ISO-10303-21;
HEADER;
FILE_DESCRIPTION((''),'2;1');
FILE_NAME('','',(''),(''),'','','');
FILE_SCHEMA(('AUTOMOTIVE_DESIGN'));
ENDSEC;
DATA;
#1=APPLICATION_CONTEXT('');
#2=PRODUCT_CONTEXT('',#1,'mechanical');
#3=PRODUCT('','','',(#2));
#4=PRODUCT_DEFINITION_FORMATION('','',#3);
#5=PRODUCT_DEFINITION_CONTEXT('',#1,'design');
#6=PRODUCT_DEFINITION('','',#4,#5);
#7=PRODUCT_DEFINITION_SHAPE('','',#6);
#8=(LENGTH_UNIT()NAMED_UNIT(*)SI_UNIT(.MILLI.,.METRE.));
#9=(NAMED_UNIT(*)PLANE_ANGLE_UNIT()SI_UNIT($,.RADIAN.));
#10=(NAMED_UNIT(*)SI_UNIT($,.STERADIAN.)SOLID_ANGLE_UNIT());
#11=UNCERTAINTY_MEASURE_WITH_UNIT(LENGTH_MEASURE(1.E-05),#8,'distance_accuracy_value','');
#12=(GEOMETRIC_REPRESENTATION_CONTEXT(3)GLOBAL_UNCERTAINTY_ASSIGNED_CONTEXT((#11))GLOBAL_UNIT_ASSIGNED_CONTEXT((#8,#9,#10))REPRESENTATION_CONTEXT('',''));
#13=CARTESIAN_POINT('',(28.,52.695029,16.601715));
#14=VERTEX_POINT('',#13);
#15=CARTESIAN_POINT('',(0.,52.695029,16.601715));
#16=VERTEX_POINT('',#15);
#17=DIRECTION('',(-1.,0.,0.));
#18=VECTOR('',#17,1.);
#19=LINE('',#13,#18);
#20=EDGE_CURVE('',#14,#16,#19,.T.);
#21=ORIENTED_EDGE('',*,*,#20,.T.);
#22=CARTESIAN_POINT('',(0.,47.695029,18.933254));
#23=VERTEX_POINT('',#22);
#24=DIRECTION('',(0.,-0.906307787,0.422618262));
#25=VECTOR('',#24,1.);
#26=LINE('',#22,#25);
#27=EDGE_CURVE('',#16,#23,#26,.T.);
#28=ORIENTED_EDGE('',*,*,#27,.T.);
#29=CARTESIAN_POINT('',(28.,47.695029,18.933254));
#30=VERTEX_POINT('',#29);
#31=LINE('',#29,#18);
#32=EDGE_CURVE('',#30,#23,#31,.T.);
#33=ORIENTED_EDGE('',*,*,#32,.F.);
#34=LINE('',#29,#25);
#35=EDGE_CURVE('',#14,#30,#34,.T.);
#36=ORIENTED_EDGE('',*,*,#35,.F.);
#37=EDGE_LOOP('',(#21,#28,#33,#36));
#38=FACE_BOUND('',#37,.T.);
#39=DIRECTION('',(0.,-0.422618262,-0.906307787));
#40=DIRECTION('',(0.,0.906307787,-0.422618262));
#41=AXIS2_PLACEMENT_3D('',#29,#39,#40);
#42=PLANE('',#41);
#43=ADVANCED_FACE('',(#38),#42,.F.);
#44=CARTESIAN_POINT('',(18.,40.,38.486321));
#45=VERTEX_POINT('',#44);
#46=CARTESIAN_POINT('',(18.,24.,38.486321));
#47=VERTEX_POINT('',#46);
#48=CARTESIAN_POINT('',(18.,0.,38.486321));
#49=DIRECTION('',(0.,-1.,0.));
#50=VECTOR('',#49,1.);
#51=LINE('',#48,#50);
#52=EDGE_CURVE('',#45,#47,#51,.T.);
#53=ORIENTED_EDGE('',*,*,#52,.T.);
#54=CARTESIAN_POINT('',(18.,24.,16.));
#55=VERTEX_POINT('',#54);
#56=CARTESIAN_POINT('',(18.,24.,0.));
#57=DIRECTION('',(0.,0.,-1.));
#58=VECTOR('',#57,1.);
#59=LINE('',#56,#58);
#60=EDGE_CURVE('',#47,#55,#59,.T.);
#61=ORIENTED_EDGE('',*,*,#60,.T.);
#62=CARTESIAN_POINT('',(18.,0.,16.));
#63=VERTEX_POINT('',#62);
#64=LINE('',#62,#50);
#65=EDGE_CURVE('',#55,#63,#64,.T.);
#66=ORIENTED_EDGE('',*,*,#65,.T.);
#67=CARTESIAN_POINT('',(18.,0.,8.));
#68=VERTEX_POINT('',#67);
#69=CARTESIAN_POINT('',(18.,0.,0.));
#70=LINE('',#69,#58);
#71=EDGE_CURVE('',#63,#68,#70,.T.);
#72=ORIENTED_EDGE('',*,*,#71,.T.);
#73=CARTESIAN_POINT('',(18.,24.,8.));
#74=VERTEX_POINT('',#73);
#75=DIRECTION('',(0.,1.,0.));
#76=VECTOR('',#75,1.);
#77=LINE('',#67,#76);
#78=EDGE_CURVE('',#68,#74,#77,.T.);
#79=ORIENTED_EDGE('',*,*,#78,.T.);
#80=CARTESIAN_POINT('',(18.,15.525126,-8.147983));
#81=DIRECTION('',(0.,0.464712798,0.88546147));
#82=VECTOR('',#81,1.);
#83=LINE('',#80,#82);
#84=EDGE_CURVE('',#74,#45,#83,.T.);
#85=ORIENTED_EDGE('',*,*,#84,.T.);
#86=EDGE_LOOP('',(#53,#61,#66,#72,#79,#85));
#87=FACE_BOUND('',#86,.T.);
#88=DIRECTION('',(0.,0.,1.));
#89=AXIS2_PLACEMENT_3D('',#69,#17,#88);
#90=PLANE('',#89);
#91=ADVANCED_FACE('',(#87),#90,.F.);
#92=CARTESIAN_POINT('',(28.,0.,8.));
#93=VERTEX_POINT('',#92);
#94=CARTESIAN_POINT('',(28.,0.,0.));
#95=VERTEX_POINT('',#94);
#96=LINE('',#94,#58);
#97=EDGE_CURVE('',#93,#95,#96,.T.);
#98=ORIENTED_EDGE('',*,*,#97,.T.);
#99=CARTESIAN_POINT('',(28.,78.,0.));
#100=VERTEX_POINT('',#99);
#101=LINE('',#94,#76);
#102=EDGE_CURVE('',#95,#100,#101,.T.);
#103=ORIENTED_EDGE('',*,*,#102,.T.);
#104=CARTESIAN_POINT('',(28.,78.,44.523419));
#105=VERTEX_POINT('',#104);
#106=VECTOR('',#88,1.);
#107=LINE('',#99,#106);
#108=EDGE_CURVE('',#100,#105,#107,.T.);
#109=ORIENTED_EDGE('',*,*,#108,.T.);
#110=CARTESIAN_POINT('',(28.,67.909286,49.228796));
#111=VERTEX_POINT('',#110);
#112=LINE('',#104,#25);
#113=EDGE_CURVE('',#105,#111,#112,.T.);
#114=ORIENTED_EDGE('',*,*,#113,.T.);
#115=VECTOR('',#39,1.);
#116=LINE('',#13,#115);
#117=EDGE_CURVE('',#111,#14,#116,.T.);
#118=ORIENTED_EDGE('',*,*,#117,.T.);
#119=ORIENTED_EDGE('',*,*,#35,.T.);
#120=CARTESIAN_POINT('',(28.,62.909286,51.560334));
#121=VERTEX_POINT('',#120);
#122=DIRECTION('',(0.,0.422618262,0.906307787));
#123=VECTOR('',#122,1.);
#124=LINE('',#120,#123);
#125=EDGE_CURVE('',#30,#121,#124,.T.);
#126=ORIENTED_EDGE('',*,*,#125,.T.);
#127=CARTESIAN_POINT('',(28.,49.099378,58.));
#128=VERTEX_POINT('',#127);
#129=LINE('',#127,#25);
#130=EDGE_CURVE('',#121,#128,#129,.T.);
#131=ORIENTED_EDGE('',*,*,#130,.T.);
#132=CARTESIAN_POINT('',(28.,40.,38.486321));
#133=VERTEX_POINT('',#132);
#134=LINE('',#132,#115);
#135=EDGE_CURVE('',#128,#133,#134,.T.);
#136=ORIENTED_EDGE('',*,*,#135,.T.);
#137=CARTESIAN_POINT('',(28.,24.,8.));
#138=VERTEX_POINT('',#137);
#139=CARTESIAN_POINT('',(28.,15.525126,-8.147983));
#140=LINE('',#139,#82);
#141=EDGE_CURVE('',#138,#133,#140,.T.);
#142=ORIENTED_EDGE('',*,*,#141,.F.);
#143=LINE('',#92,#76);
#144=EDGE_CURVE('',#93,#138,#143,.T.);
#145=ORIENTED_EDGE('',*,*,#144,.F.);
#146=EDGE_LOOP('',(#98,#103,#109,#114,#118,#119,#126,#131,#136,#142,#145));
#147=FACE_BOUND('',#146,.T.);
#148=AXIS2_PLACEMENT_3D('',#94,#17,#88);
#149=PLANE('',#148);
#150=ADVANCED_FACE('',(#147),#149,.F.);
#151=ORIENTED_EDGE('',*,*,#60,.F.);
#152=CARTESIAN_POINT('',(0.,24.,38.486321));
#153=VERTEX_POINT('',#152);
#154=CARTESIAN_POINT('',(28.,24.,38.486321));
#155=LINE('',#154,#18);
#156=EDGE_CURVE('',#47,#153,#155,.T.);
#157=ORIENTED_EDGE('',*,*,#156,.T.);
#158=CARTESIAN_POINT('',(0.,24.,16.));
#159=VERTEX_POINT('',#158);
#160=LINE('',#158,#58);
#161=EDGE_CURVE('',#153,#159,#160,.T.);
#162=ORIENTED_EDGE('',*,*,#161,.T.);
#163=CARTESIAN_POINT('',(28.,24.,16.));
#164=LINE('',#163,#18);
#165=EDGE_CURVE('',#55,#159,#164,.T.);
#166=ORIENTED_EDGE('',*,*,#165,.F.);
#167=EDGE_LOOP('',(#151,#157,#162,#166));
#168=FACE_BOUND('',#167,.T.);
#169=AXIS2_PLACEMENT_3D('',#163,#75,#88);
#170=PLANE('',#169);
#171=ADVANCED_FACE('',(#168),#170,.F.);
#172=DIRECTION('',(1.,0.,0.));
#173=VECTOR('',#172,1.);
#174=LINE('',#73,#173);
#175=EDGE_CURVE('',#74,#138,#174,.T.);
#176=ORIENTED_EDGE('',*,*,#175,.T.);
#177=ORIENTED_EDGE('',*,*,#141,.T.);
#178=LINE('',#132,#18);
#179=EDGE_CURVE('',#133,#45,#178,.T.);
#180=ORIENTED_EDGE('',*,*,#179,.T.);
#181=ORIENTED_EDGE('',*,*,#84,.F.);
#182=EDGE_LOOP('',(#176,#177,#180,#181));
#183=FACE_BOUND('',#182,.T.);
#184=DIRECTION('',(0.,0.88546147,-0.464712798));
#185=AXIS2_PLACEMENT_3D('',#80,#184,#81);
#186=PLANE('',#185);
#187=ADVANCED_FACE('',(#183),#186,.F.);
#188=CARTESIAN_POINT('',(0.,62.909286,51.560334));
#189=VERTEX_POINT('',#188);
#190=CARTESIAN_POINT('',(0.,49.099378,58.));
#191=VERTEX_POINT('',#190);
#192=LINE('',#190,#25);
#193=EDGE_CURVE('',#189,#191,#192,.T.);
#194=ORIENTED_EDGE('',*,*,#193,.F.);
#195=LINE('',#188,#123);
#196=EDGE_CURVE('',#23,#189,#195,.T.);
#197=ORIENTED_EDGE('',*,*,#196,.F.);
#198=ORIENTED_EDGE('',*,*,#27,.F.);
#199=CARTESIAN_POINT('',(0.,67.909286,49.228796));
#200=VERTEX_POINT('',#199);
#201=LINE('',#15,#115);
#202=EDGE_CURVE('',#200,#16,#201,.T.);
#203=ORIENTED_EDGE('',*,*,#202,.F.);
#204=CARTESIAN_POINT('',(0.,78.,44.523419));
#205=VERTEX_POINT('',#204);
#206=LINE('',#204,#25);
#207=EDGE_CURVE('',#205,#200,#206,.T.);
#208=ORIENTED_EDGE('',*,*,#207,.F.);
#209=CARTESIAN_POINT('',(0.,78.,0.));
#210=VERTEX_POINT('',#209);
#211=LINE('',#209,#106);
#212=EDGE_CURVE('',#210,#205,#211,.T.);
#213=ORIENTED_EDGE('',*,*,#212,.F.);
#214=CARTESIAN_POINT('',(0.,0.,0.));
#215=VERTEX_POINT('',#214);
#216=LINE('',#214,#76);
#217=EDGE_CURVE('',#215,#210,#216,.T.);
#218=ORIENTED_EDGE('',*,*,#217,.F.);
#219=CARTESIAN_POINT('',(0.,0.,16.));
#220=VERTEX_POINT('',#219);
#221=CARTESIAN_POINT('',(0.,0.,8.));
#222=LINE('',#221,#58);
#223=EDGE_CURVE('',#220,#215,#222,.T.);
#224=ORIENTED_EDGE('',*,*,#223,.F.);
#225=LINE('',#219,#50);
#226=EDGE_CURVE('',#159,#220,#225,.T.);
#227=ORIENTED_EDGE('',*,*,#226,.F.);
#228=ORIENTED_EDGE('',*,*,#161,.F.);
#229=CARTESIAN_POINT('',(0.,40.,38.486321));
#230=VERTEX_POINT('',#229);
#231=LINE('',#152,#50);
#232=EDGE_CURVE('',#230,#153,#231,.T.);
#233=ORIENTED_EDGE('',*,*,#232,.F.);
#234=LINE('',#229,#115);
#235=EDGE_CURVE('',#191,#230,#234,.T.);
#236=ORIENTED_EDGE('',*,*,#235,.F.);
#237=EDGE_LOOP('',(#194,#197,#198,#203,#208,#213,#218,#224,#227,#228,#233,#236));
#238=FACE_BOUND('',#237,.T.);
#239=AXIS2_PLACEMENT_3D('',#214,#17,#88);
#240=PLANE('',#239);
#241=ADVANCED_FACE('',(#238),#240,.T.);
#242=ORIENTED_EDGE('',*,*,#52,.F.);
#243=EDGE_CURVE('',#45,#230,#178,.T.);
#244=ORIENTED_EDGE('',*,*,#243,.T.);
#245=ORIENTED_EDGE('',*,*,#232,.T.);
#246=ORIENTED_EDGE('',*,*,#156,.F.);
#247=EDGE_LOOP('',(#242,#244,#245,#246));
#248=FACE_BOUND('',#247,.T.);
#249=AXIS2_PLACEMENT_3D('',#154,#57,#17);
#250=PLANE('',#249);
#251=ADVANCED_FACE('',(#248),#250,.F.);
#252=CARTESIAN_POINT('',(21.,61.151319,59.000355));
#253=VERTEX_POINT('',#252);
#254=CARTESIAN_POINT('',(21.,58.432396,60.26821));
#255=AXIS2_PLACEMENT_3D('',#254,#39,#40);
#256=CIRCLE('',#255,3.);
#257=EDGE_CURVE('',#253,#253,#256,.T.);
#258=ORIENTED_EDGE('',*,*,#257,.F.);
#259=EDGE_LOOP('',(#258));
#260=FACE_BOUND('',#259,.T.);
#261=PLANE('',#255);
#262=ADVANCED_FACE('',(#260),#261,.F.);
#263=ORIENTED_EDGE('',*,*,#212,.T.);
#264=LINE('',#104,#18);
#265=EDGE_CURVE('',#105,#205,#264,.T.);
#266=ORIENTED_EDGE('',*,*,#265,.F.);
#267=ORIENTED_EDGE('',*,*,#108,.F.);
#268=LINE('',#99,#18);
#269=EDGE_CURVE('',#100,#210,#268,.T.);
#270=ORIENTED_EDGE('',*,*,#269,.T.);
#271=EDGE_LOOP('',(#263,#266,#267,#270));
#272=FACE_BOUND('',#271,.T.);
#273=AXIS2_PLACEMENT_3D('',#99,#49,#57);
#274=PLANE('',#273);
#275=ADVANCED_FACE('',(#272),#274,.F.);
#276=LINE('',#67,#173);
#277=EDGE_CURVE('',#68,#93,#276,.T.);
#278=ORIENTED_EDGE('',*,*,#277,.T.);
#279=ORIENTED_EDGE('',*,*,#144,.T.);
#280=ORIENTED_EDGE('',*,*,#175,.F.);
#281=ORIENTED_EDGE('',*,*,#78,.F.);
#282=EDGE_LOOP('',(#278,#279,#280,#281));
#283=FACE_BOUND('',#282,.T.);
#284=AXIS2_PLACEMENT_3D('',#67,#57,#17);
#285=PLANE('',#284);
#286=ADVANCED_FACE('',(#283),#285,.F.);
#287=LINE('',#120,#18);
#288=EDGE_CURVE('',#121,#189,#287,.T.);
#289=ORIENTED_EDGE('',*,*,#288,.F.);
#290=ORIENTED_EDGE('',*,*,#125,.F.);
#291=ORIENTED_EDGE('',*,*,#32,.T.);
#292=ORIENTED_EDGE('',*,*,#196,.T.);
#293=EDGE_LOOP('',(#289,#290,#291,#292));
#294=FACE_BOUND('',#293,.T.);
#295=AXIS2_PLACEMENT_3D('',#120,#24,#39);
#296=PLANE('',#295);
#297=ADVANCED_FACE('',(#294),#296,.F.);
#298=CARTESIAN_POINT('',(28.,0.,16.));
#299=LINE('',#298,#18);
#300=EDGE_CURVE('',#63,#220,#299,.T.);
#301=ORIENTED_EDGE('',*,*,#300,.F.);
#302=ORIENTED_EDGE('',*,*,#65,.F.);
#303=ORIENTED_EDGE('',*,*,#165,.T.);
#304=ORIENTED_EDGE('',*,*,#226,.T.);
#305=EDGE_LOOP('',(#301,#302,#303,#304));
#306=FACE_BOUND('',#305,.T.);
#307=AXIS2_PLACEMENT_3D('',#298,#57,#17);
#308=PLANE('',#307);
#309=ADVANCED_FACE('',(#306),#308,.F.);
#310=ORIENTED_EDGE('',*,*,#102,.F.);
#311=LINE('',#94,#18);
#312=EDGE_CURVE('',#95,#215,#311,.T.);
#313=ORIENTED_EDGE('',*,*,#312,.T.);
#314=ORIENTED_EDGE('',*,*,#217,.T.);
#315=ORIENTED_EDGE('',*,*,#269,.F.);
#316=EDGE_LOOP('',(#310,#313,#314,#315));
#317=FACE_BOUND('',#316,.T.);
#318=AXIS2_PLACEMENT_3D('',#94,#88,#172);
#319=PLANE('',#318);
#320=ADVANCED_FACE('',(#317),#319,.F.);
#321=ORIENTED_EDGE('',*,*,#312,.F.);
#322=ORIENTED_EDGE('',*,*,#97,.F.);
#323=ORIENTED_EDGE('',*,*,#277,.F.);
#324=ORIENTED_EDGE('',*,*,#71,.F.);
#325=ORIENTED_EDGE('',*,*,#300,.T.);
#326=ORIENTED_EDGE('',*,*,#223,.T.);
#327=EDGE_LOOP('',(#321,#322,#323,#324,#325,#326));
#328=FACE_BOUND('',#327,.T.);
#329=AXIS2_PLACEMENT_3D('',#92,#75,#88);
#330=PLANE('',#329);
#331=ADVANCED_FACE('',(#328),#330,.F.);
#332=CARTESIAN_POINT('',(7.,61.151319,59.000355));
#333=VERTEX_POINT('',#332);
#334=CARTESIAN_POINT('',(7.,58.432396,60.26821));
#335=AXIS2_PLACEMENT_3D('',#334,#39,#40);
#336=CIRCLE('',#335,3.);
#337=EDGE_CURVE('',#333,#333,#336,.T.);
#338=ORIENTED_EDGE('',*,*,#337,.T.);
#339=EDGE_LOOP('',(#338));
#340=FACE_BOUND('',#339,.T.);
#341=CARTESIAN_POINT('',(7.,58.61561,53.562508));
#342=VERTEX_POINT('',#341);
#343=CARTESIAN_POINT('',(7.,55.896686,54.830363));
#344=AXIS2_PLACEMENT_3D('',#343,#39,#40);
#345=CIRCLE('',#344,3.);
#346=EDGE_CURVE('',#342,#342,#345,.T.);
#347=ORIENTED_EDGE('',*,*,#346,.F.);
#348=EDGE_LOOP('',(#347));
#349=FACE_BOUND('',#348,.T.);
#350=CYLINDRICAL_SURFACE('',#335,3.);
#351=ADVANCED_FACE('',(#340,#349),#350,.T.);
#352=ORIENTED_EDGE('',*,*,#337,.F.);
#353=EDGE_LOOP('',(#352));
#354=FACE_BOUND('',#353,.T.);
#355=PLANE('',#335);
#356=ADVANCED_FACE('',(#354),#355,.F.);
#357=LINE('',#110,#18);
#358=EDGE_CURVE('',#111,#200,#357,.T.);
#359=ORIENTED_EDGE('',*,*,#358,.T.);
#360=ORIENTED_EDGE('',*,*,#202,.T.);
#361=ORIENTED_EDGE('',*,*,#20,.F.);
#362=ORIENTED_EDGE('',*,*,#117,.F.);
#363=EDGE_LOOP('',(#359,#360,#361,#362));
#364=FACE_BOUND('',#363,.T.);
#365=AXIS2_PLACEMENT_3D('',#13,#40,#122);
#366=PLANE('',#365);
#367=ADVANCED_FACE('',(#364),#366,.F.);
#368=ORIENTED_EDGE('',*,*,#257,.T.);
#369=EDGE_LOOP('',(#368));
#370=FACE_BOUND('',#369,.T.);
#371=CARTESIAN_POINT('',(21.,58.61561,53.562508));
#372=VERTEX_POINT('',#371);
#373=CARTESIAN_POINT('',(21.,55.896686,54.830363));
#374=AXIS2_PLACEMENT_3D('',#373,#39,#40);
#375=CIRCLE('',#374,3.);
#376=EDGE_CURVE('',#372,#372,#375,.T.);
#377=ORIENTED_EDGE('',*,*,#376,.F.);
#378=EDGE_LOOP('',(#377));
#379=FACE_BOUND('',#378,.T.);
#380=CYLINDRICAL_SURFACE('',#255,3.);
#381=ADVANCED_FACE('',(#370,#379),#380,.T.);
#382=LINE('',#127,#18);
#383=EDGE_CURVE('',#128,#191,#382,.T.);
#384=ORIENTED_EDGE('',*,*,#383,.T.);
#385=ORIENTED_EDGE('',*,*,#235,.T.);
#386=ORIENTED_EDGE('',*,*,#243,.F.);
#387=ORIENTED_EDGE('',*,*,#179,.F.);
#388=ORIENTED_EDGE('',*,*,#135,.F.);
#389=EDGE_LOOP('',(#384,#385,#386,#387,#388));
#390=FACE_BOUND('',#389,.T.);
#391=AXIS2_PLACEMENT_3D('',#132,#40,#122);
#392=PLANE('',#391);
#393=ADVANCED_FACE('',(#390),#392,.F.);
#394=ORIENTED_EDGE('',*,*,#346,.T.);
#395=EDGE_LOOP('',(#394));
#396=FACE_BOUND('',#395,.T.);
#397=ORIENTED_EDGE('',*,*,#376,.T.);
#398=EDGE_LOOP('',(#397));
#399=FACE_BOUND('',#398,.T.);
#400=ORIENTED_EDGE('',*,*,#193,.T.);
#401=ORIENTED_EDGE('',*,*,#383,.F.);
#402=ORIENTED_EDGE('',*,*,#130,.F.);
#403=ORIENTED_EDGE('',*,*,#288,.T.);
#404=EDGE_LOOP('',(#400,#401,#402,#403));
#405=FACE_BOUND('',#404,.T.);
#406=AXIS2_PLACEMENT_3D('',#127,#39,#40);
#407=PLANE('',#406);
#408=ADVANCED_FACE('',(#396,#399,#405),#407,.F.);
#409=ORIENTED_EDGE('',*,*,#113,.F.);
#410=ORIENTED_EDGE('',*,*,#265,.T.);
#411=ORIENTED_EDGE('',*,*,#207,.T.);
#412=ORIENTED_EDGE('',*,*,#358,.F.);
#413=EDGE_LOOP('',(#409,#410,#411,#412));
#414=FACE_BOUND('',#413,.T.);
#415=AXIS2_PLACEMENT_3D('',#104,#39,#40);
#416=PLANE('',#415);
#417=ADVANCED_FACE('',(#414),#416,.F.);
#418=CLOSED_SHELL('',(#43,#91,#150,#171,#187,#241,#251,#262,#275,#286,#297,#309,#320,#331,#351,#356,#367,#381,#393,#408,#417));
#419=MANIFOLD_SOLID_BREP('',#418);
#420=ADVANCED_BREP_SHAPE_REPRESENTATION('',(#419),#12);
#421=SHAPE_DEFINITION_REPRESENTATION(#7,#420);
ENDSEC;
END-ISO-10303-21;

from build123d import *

# Parameters (mm, degrees)
BOSS_EXTRUDE1_DEPTH = 28
CUT_EXTRUDE1_START  = 28
CUT_EXTRUDE1_DEPTH  = 10
BOSS_EXTRUDE2_START = -10
SKETCH5_R           = 3
BOSS_EXTRUDE2_DEPTH = 6


with BuildPart() as part:
    # Sketch2 → Boss-Extrude1 (new body)
    with BuildSketch(Plane.YZ):
        Polygon((0, 0), (78, 0), (78, 44.523418625), (67.909286037, 49.228795822), (52.695028614, 16.601715489), (47.695028614, 18.933253779), (62.909286037, 51.560334113), (49.099377976, 58), (40, 38.486320959), (24, 38.486320959), (24, 16), (0, 16), (0, 8), align=None)
    extrude(amount=BOSS_EXTRUDE1_DEPTH)

    # Sketch3 → Cut-Extrude1 (cut)
    with BuildSketch(Plane.YZ.offset(CUT_EXTRUDE1_START)):
        Polygon((0, 8), (0, 16), (24, 16), (24, 38.486320959), (40, 38.486320959), (24, 8), align=None)
    extrude(amount=-CUT_EXTRUDE1_DEPTH, mode=Mode.SUBTRACT)

    # Sketch5 → Boss-Extrude2 (add)
    with BuildSketch(Plane(origin=(0, 35.210924553, 75.510071381), x_dir=(1, 0, 0), z_dir=(0, 0.42261826174070044, 0.9063077870366496)).offset(BOSS_EXTRUDE2_START)):
        with Locations(Location((7, 27.487289417, 0), (0, 0, 90))):
            Circle(SKETCH5_R)
        with Locations(Location((21, 27.487289417, 0), (0, 0, 90))):
            Circle(SKETCH5_R)
    extrude(amount=BOSS_EXTRUDE2_DEPTH)


solid = part.part
